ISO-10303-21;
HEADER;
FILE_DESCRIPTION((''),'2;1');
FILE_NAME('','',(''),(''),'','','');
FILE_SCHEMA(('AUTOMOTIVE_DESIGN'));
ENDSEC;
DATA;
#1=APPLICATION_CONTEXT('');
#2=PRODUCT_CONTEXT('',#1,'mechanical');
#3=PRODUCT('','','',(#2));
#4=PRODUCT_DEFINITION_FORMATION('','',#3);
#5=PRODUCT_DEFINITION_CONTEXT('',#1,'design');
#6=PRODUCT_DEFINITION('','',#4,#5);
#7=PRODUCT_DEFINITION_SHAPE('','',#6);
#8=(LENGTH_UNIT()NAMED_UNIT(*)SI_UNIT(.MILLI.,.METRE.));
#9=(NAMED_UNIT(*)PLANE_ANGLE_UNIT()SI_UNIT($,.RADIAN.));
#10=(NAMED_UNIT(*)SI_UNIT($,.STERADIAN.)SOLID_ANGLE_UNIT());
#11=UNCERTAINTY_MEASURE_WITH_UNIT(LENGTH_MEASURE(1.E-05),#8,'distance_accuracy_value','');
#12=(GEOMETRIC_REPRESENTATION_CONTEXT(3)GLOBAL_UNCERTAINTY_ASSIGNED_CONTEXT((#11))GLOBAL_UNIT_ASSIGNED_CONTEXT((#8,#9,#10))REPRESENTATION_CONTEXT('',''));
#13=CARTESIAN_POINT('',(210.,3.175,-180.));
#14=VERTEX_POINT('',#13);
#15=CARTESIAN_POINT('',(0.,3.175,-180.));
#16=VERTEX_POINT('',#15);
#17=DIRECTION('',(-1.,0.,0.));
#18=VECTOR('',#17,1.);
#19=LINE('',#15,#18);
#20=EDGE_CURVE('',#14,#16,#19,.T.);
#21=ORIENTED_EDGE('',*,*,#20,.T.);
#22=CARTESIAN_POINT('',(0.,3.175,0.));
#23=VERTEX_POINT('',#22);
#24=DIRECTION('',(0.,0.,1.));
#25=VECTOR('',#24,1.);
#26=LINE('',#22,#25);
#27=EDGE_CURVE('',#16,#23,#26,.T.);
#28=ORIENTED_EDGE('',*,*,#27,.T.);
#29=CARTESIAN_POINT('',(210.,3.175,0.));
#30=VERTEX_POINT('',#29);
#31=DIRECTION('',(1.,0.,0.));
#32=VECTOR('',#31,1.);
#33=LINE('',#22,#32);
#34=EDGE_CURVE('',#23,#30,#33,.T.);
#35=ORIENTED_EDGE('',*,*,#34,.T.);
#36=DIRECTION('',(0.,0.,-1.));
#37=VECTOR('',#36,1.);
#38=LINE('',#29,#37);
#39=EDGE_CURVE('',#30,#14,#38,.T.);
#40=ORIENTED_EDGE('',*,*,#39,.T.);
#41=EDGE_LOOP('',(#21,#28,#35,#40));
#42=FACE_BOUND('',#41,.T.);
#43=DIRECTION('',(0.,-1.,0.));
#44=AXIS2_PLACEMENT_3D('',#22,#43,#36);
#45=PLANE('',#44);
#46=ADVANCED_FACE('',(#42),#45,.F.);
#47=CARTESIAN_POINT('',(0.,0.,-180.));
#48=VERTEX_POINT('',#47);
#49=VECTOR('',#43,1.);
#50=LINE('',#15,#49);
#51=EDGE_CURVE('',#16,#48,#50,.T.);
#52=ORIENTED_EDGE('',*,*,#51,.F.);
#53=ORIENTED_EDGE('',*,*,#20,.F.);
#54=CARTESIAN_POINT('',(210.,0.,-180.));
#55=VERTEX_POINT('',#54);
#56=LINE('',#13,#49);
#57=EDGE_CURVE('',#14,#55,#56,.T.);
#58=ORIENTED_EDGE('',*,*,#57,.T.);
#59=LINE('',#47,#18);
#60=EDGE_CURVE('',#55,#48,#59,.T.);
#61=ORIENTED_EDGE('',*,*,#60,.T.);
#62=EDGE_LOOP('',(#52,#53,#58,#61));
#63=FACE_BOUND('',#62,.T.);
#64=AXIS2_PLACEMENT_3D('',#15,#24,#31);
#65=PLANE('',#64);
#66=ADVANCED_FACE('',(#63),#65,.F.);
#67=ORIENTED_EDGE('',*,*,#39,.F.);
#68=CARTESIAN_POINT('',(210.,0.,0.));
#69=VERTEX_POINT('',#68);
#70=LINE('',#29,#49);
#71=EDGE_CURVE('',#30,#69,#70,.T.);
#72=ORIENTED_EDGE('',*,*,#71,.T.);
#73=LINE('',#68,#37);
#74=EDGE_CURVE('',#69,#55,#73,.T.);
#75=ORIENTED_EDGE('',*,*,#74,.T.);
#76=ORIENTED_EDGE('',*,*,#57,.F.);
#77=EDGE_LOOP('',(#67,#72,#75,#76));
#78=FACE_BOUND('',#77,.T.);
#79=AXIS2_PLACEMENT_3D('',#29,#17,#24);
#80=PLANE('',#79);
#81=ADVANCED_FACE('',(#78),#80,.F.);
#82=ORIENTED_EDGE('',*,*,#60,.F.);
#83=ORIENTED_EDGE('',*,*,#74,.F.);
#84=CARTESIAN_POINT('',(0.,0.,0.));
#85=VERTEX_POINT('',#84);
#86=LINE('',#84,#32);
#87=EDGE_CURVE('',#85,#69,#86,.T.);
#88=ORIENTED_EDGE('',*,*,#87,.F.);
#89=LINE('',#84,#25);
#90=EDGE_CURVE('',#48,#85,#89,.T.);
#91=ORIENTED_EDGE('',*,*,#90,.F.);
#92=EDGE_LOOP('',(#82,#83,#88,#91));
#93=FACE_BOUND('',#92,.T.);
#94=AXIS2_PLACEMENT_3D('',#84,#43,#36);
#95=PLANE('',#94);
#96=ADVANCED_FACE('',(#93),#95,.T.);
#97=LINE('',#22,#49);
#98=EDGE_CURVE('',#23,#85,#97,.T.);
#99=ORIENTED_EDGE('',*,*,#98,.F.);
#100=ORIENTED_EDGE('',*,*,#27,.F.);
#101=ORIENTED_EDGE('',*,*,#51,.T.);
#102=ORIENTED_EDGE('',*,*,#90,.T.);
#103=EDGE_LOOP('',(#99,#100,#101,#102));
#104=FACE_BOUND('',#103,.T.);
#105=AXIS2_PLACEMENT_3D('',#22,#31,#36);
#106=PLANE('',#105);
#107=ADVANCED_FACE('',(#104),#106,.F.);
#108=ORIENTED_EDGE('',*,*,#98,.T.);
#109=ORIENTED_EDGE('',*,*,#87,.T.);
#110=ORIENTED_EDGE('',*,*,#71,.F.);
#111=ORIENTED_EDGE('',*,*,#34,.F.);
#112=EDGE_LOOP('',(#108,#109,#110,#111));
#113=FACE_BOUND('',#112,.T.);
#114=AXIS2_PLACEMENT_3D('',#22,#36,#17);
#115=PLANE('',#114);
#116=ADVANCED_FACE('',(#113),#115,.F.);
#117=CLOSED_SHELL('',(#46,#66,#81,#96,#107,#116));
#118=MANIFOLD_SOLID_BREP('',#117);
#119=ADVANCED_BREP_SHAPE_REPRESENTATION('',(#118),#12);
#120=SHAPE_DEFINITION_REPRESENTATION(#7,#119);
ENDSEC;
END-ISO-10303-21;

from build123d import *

# Parameters (mm, degrees)
CROQUIS1_W              = 210
CROQUIS1_H              = 180
SALIENTE_EXTRUIR1_DEPTH = 3.175


with BuildPart() as part:
    # Croquis1 → Saliente-Extruir1 (new body)
    with BuildSketch(Plane(origin=(0, 0, 0), x_dir=(1, 0, 0), z_dir=(0, 1, 0))):
        with Locations((105, 90)):
            Rectangle(CROQUIS1_W, CROQUIS1_H)
    extrude(amount=SALIENTE_EXTRUIR1_DEPTH)


solid = part.part
